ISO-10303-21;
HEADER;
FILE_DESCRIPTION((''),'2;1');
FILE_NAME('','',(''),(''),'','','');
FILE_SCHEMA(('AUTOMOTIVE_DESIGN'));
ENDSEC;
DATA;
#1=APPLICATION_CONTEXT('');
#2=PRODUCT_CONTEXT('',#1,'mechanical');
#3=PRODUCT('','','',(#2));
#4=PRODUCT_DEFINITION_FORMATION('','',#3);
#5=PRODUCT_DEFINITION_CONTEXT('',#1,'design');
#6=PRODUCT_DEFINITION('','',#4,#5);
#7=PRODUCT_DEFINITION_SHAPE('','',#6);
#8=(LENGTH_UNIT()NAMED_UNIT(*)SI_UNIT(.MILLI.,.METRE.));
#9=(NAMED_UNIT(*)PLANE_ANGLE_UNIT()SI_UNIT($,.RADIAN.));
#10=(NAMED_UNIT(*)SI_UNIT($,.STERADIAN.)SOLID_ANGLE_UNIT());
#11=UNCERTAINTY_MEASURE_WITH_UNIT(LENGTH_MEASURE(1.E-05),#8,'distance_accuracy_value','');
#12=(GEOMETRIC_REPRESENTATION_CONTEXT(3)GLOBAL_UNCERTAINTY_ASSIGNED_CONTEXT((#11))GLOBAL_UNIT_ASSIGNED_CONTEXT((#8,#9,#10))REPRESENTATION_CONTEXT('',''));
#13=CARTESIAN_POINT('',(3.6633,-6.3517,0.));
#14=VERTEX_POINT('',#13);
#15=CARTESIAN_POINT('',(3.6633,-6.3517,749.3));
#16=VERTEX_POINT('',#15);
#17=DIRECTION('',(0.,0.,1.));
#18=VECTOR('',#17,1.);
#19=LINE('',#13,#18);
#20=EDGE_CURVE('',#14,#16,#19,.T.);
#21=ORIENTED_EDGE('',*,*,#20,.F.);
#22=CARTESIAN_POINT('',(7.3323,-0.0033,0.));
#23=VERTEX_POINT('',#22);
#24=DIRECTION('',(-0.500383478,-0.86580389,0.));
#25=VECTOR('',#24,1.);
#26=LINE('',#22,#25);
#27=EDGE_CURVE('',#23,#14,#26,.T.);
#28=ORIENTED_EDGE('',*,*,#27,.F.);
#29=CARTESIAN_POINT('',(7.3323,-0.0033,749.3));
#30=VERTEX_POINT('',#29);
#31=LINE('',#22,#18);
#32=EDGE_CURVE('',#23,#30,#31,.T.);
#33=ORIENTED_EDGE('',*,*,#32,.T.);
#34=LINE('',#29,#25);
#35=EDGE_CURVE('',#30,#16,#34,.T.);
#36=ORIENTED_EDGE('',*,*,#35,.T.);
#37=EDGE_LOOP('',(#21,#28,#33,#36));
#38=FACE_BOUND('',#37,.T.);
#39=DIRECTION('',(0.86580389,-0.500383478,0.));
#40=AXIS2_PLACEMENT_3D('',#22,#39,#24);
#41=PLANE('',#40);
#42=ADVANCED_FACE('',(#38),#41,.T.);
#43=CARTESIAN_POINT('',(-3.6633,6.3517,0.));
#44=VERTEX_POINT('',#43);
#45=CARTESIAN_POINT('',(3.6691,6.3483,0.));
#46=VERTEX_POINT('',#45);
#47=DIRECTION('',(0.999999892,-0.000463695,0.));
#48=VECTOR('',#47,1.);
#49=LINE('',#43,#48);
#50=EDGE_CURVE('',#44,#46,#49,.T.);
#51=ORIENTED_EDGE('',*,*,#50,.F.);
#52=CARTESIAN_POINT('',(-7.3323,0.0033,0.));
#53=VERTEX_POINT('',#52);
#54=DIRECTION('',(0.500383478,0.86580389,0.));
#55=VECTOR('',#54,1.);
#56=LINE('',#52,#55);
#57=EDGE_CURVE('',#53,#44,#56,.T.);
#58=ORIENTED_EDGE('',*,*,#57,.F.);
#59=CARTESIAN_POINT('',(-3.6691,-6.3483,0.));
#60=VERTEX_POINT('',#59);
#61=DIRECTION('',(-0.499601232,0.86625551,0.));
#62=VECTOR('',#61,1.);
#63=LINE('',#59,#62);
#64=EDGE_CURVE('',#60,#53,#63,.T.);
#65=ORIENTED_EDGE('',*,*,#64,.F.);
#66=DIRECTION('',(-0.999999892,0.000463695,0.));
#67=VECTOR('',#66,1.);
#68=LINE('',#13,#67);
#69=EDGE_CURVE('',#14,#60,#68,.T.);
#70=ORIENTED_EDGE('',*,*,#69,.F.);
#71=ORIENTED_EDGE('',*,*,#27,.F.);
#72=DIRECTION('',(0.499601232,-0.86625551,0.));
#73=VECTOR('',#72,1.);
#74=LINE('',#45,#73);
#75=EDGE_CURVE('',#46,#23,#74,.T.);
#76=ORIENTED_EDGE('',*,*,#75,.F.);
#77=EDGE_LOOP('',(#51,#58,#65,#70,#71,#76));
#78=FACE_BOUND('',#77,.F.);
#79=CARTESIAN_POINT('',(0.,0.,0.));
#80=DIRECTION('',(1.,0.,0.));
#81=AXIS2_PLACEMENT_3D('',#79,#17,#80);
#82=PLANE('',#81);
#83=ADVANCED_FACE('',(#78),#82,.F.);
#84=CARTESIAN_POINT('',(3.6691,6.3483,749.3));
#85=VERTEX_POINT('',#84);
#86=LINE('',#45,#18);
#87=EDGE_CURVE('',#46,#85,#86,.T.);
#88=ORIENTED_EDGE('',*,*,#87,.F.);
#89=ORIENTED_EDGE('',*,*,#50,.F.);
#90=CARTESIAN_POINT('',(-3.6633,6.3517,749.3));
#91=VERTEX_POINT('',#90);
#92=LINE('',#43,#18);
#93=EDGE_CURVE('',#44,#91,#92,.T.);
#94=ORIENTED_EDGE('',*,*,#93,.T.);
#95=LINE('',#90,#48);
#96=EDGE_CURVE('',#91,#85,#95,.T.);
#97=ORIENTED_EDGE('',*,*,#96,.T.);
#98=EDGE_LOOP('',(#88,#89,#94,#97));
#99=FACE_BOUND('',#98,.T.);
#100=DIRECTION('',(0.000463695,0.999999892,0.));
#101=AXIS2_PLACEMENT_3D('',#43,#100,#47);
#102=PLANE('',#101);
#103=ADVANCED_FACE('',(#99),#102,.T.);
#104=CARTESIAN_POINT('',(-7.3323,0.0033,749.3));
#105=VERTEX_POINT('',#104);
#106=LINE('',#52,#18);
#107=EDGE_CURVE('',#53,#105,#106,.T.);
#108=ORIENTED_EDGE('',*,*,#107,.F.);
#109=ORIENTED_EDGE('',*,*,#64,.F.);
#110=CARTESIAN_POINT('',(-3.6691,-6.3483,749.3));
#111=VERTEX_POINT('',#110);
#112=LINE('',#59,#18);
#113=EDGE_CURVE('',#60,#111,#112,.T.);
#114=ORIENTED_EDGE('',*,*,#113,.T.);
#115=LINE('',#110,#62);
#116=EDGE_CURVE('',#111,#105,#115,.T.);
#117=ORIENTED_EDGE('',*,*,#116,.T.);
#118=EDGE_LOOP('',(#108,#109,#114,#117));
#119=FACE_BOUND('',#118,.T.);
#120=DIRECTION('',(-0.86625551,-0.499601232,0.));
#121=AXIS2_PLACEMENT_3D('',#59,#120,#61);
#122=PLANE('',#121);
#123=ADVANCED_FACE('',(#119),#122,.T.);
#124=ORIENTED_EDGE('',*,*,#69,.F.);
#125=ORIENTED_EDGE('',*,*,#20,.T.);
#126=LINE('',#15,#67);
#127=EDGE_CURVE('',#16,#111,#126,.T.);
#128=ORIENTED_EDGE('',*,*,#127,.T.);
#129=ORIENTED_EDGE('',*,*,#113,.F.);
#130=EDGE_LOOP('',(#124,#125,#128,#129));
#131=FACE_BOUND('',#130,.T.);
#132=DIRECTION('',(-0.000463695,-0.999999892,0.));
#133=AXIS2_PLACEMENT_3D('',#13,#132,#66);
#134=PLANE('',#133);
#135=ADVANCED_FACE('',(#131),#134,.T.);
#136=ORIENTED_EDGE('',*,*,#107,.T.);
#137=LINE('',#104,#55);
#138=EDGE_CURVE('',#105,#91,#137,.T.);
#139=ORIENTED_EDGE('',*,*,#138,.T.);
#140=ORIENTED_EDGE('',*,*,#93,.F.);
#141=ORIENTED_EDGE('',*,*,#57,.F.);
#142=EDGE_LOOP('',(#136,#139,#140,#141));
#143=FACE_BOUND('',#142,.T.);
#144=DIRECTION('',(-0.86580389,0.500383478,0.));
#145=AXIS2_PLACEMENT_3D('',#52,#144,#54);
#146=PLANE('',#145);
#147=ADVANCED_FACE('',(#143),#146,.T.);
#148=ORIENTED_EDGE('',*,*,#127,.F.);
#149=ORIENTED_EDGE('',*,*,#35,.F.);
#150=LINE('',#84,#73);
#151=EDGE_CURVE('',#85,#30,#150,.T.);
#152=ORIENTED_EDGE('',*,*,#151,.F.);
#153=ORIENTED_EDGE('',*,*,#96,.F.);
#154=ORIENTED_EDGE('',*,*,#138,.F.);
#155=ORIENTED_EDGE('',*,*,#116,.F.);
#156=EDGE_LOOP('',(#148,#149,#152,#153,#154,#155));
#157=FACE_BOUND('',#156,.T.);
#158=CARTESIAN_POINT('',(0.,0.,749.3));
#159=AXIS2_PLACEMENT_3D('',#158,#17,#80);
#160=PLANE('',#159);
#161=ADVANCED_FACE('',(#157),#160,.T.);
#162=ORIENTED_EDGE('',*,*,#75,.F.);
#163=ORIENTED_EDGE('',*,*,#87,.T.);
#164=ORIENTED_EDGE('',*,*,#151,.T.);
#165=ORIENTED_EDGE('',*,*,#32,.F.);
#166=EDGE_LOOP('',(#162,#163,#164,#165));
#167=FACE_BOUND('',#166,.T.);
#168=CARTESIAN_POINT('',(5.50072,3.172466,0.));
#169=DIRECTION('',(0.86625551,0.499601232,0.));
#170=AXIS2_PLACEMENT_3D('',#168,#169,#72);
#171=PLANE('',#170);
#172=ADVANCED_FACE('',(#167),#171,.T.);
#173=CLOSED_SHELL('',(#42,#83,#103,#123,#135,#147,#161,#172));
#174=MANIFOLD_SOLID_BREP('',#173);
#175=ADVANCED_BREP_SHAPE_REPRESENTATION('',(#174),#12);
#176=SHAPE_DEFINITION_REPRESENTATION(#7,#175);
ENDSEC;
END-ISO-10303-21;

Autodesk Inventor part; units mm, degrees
ref_plane "YZ Plane" through (0, 0, 0) normal (1, 0, 0) x (0, 1, 0)
ref_plane "XZ Plane" through (0, 0, 0) normal (0, 1, 0) x (-1, 0, 0)
ref_plane "XY Plane" through (0, 0, 0) normal (0, 0, 1) x (1, 0, 0)
sketch "Sketch1" plane through (0, 0, 0) normal (0, 0, 1) x (1, 0, 0)
  circle A0 centre (0, 0) radius 6.35
  line L0 (7.3323, -0.0033) -> (3.6633, -6.3517)
  line L1 (3.6633, -6.3517) -> (-3.6691, -6.3483)
  line L2 (-3.6691, -6.3483) -> (-7.3323, 0.0033)
  line L3 (-7.3323, 0.0033) -> (-3.6633, 6.3517)
  line L4 (-3.6633, 6.3517) -> (3.6691, 6.3483)
  line L5 (3.6691, 6.3483) -> (7.3323, -0.0033)
  point P0 (5.5007, 3.1725)
  dimension "d0" = 12.7
extrude "Extrusion1" add sketch "Sketch1" along normal blind 749.3
properties part number "4-bar intake shaft (29.5)"
